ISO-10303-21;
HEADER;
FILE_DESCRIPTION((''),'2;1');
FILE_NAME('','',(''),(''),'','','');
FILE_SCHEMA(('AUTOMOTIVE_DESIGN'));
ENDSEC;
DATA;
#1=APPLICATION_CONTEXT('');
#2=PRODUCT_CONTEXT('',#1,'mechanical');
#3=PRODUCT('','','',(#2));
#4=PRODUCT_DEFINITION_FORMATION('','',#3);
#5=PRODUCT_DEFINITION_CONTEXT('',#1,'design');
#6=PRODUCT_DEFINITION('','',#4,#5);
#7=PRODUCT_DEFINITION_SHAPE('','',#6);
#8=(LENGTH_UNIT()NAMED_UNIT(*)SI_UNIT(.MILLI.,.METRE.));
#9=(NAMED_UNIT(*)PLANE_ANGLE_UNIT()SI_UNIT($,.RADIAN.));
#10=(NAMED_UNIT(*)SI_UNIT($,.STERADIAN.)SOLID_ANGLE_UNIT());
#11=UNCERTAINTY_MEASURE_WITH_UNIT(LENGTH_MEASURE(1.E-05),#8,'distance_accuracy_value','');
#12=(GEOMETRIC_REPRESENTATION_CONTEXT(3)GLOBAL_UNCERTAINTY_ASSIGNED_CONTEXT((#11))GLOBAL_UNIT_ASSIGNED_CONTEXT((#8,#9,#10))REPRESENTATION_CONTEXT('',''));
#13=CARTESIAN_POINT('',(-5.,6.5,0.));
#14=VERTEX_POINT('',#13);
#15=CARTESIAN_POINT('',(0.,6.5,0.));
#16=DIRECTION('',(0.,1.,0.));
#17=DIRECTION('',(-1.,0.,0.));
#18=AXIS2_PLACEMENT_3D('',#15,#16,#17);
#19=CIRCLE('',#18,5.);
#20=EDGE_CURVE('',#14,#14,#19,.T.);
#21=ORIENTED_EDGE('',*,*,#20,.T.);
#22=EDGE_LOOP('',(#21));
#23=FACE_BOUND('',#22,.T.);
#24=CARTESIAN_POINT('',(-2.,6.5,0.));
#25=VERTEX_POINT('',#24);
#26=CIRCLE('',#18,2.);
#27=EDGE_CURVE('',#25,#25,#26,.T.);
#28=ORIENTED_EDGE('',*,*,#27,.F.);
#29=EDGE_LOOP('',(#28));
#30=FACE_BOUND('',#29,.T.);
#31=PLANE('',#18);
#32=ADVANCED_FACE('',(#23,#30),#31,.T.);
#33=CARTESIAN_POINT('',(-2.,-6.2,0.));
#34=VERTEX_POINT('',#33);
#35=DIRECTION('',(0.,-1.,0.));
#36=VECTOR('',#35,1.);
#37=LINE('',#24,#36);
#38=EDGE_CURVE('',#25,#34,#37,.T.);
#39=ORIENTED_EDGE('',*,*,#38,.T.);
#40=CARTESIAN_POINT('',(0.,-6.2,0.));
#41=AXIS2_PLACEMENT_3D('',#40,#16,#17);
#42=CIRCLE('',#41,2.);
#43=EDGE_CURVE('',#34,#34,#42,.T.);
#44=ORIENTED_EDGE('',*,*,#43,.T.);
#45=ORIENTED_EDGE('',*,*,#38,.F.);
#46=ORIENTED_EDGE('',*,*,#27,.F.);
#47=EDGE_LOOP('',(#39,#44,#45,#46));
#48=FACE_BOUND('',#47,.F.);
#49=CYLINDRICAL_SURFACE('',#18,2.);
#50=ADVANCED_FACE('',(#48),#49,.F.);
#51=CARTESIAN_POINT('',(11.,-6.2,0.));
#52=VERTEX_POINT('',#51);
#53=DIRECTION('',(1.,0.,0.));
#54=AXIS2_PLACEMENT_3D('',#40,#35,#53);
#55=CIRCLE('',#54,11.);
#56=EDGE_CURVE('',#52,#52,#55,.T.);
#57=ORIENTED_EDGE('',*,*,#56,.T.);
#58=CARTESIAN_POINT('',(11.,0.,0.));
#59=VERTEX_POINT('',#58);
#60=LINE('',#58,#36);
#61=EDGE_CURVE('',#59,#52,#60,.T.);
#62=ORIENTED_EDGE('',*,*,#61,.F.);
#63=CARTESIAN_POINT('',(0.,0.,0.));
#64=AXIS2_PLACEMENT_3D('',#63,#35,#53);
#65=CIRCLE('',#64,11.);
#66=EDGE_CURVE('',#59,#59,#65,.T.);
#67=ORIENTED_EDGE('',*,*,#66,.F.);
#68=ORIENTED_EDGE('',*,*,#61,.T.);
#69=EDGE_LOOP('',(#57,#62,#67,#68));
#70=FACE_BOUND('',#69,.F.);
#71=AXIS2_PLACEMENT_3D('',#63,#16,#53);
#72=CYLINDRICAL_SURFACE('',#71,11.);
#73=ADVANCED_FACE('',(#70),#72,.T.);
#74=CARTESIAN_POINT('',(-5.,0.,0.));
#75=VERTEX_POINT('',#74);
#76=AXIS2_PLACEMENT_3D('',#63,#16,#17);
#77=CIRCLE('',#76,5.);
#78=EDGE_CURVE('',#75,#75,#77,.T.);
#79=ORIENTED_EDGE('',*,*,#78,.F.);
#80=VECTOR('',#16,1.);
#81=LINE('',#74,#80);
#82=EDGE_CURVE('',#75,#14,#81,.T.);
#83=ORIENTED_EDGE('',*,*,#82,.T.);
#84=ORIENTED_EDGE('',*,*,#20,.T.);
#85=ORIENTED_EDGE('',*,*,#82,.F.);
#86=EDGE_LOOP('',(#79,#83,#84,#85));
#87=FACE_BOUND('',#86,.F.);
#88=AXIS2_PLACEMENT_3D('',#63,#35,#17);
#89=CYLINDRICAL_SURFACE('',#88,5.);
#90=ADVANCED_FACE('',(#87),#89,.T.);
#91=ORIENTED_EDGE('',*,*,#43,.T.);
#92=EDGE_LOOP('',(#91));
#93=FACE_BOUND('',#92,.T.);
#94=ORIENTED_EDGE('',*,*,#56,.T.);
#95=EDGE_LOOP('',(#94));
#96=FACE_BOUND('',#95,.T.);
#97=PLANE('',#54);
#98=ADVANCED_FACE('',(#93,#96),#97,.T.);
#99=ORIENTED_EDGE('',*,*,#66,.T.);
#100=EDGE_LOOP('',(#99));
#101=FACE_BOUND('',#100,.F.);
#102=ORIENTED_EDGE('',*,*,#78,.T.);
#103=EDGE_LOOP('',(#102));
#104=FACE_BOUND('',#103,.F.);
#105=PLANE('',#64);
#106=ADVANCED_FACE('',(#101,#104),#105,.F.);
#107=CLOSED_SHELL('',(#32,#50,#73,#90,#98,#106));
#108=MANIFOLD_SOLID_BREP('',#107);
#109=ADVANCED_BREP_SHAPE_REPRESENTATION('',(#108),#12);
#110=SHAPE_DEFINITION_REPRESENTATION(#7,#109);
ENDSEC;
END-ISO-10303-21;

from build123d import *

# Parameters (mm, degrees)
F0_R     = 11
F1_DEPTH = 6.2
F2_R     = 5
F3_DEPTH = 6.5
F4_R     = 2
F5_DEPTH = 25


with BuildPart() as f1:
    # F0 (on Front) → F1 (new body)
    with BuildSketch(Plane.XZ):
        Circle(F0_R)
    extrude(amount=F1_DEPTH)

    # F2 (on face) → F3 (join)
    with BuildSketch(Plane(origin=(0, 0, 0), x_dir=(-1, 0, 0), z_dir=(0, 1, 0))):
        Circle(F2_R)
    extrude(amount=F3_DEPTH)

    # F4 (on face) → F5 (cut)
    with BuildSketch(Plane(origin=(0, 6.5, 0), x_dir=(-1, 0, 0), z_dir=(0, 1, 0))):
        Circle(F4_R)
    extrude(amount=-F5_DEPTH, mode=Mode.SUBTRACT)


solid = f1.part
